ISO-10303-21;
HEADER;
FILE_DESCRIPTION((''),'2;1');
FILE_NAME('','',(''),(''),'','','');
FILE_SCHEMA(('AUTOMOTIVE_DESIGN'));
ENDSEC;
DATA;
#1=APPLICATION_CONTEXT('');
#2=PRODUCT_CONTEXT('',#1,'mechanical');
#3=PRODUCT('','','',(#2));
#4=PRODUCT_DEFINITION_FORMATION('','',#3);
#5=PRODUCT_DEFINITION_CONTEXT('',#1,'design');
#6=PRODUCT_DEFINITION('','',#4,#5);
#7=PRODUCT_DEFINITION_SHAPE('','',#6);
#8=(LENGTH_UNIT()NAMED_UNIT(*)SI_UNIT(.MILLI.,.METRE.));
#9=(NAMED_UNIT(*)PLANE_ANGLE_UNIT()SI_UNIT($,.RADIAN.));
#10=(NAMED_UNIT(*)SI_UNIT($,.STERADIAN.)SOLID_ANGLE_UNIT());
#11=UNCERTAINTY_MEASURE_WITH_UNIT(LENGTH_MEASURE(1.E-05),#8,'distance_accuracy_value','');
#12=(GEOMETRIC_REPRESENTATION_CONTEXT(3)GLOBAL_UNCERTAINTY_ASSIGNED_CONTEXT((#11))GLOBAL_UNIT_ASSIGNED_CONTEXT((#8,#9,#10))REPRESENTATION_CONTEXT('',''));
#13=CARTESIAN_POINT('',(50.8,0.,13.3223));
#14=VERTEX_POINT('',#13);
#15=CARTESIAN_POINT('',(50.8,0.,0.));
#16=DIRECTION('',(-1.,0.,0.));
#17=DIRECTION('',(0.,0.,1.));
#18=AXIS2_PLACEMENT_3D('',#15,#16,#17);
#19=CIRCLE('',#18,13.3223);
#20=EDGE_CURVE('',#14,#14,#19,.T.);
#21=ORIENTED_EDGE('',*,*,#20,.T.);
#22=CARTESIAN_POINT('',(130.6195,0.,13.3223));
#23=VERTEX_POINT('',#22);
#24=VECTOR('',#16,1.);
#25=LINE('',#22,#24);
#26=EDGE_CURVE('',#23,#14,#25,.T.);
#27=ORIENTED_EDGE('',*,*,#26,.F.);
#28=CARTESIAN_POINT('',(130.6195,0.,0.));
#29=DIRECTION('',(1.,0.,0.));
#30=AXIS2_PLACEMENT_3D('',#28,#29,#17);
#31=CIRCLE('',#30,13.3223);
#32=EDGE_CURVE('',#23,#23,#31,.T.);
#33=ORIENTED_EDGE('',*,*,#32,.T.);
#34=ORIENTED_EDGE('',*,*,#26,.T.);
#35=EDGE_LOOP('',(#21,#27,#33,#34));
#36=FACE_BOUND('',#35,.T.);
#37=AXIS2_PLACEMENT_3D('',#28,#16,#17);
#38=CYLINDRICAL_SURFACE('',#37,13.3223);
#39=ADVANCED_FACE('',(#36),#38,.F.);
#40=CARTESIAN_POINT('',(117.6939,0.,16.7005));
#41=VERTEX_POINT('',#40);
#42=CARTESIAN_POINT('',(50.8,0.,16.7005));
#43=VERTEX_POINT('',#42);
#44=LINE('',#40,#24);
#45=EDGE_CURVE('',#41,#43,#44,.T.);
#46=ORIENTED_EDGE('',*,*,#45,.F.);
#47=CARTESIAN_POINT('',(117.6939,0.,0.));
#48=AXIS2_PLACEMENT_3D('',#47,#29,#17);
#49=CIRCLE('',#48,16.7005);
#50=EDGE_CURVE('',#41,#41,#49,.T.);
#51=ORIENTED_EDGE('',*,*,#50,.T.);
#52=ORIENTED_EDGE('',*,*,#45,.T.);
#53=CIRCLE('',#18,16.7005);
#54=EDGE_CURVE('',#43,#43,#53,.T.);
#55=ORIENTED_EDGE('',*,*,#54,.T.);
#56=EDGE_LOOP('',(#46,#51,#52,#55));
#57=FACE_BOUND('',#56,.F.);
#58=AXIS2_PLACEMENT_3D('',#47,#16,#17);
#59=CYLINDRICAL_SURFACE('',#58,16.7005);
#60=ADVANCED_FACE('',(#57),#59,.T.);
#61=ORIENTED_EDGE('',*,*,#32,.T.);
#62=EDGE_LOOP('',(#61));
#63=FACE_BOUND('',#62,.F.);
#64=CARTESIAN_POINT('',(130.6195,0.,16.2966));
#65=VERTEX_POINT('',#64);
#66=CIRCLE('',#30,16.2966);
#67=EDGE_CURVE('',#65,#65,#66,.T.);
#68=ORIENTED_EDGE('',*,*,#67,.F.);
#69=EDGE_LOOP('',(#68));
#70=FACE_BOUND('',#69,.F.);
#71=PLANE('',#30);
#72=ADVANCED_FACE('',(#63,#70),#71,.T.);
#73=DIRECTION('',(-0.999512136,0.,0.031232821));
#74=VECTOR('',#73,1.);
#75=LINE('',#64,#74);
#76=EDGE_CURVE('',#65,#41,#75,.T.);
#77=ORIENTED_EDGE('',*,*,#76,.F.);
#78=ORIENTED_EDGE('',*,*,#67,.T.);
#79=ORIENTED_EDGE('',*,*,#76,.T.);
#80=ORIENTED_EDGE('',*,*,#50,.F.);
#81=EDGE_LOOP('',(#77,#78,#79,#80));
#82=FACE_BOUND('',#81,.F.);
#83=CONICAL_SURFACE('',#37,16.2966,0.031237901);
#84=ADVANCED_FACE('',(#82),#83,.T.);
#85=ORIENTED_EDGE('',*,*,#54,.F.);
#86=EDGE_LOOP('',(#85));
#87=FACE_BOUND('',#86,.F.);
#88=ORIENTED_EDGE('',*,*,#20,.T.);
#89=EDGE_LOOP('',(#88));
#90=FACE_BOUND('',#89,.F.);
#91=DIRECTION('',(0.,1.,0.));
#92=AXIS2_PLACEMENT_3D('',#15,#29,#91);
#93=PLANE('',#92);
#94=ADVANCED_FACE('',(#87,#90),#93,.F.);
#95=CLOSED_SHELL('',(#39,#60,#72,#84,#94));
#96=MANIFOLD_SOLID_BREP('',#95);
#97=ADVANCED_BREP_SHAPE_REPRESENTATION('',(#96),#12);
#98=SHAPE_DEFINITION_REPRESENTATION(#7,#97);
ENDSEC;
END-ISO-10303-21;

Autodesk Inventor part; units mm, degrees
ref_plane "XZ Plane" through (0, 0, 0) normal (0, 1, 0) x (-1, 0, 0)
ref_plane "XY Plane" through (0, 0, 0) normal (0, 0, 1) x (1, 0, 0)
sketch "Sketch1" plane through (0, 0, 0) normal (0, 1, 0) x (-1, 0, 0)
  line L0 (0, 0) -> (-130.6195, 0)
  line L1 (-130.6195, 0) -> (-130.6195, 13.3223) construction
  line L2 (-130.6195, 13.3223) -> (-130.6195, 16.2966)
  line L3 (-130.6195, 16.2966) -> (-117.6939, 16.7005)
  line L4 (-117.6939, 16.7005) -> (-12.9256, 16.7005)
  line L5 (-65.3097, 0) -> (-65.3097, 16.7005) construction
  line L6 (-130.6195, 13.3223) -> (0, 13.3223)
  line L7 (-113.2764, 16.8385) -> (-113.2764, 0) construction
  line L8 (-117.6939, 16.7005) -> (-113.2764, 16.8385) construction
  line L9 (0, 0) -> (0, 13.3223) construction
  line L10 (0, 13.3223) -> (0, 16.2966)
  line L11 (0, 16.2966) -> (-12.9256, 16.7005)
  line L12 (-17.3431, 16.8385) -> (-17.3431, 0) construction
  line L13 (-12.9256, 16.7005) -> (-17.3431, 16.8385) construction
  line L14 (0, -3.3677) -> (0, 20.2063) construction
  line L15 (-156.7434, 0) -> (26.1239, 0) construction
  line L16 (-12.9256, 16.7005) -> (-12.9256, 0) construction
  line L17 (-117.6939, 16.7005) -> (-117.6939, 0) construction
  dimension "d0" = 33.401
  dimension "d1" = 1.79
  dimension "d2" = 26.6446
  dimension "d3" = 130.6195
  dimension "d4" = 17.3431
  dimension "d5" = 33.6771
revolve "Revolution1" add sketch "Sketch1" angle 360 about axis through (0, 0, 0) along (1, 0, 0)
thread "Thread1" size "1" designation "1 - 11.5 NPT" standard "NPT" full length
thread "Thread2" size "1" designation "1 - 11.5 NPT" standard "NPT" full length
ref_plane "Work Plane3" through (50.8, 0, 0) normal (1, 0, 0) x (0, 1, 0)
sketch "Sketch3" plane through (50.8, 0, 0) normal (1, 0, 0) x (0, 1, 0)
  circle A0 centre (0, 0) radius 16.7005 projected
  point P0 (0, 0)
extrude "Extrusion2" cut sketch "Sketch3" against normal blind 50.8
sketch "Sketch4" plane through (0, 0, 0) normal (0, 0, 1) x (1, 0, 0)
  line L0 (50.8, 13.3223) -> (50.8, -13.3223) projected
  line L1 (130.6195, 13.3223) -> (130.6195, -13.3223) projected
  point P0 (0, 0)
equation "\"d0\" = OD"
equation "\"d2\" = ID"
equation "\"d3\" = L"
equation "\"d4\" = L2"
equation "\"d5\" = D2"
equation "\"OD\" = 33.401"
equation "\"t\" = 3.3782"
equation "\"L\" = PL"
equation "\"L4\" = 25.0063"
equation "\"ID\" = 26.6446"
equation "\"PL\" = 130.6195"
equation "\"D2\" = 33.6771"
equation "\"L2\" = 17.34312"
equation "\"Size_Designation\" = 1.2345"
equation "\"PLmin\" = 2 * L2 + 3 * t"
properties part number "ASTM A 312/A 312M Pipe with Threaded Ends 1 - Schedule 40S - 5.1425" material "Stainless Steel, Austenitic"
